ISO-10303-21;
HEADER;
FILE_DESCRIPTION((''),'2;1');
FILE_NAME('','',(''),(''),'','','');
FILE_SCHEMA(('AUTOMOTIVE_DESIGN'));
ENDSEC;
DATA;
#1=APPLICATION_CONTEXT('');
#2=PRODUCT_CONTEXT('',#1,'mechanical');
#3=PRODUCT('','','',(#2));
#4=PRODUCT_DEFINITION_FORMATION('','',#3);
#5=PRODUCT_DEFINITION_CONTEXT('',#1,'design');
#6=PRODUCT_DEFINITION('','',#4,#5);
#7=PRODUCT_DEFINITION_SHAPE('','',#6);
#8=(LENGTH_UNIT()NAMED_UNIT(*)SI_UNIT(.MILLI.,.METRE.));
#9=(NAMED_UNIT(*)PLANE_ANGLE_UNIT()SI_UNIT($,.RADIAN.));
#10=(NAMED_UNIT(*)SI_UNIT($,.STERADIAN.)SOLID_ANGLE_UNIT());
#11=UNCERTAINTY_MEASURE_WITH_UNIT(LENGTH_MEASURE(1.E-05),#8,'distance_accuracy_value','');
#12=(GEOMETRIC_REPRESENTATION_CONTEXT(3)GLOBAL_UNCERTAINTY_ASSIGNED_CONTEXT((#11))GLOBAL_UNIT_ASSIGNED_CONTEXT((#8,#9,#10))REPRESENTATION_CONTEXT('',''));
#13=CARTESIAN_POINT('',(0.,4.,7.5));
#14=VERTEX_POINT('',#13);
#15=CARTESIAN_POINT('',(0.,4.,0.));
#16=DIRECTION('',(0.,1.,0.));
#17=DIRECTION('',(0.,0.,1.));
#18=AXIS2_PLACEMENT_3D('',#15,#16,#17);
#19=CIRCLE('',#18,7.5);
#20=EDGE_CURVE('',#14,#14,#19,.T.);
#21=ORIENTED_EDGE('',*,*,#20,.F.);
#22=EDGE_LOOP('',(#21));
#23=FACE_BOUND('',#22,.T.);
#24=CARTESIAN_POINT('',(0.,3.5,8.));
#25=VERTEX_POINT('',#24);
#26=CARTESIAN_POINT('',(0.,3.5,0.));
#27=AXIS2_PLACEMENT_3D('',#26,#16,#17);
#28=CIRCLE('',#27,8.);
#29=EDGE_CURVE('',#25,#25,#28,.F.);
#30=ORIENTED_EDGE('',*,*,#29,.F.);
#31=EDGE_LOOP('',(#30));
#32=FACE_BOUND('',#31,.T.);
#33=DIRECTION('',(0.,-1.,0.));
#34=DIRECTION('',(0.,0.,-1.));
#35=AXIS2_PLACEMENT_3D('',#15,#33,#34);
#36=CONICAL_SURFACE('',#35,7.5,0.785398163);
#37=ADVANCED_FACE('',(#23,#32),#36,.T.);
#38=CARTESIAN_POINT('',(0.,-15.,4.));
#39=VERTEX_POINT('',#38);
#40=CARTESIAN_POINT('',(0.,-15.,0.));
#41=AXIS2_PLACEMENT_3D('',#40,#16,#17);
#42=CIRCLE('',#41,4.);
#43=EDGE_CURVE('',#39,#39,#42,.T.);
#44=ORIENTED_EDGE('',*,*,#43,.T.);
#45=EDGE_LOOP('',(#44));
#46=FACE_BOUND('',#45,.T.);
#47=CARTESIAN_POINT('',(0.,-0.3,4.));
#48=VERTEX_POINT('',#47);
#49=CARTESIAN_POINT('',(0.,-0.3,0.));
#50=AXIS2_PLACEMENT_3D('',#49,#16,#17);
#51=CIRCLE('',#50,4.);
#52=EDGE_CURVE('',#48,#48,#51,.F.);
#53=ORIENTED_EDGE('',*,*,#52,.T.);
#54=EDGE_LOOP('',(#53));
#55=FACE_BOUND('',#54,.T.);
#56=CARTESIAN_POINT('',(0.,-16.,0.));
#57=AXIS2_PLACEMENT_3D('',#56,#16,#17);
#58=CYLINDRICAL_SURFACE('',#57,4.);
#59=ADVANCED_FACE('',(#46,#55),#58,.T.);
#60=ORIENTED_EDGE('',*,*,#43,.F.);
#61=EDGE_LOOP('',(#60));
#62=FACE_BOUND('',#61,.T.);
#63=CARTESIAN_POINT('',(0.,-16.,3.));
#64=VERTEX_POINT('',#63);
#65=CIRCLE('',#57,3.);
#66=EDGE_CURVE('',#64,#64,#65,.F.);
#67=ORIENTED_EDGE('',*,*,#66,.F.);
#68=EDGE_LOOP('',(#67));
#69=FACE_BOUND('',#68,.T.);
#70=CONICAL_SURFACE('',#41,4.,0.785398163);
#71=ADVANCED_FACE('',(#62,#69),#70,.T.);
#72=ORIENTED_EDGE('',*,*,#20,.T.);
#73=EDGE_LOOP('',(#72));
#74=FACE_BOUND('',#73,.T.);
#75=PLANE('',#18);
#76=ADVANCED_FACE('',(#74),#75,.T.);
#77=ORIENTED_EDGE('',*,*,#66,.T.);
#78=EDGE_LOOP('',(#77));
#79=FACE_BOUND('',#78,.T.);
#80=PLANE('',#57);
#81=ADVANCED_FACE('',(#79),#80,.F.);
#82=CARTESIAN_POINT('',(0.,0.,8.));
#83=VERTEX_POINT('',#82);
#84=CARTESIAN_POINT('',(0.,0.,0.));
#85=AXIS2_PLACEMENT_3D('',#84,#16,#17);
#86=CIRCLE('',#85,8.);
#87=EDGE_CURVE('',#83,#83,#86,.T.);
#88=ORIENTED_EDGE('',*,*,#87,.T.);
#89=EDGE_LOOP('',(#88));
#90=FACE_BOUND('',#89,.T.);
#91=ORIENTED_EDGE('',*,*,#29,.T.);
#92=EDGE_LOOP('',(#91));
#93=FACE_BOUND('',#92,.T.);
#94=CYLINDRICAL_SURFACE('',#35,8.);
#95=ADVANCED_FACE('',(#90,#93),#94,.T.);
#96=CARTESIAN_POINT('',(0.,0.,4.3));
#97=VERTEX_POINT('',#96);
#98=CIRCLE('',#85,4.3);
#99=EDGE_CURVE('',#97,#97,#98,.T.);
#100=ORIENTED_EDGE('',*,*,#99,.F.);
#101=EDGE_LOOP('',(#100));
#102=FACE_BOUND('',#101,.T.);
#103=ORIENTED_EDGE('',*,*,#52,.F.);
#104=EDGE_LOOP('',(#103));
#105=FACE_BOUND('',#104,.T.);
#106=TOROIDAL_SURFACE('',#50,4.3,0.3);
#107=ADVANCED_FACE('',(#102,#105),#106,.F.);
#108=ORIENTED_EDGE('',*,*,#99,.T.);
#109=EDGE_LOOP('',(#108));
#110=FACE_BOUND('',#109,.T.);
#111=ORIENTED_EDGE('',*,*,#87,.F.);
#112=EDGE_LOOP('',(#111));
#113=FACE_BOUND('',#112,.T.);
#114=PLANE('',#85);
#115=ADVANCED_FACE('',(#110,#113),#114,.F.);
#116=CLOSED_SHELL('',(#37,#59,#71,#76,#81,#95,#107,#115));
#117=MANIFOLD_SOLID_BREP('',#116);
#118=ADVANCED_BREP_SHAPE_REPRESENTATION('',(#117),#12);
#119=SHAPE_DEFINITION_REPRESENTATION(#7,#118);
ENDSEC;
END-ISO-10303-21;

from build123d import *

# Parameters (mm, degrees)
SKETCH1_R           = 4
BOSS_EXTRUDE1_DEPTH = 16
SKETCH2_R           = 8
BOSS_EXTRUDE2_DEPTH = 4
CHAMFER1_SIZE       = 1
CHAMFER2_SIZE       = 0.5
FILLET1_R           = 0.3


with BuildPart() as part:
    # Sketch1 → Boss-Extrude1 (new body)
    with BuildSketch(Plane(origin=(0, 0, 0), x_dir=(1, 0, 0), z_dir=(0, 1, 0))):
        Circle(SKETCH1_R)
    extrude(amount=-BOSS_EXTRUDE1_DEPTH)

    # Sketch2 → Boss-Extrude2 (add)
    with BuildSketch(Plane(origin=(0, 0, 0), x_dir=(1, 0, 0), z_dir=(0, 1, 0))):
        Circle(SKETCH2_R)
    extrude(amount=BOSS_EXTRUDE2_DEPTH)

    # Chamfer1
    chamfer1_edges = [part.edges().sort_by_distance(p)[0] for p in [
        (-4, -16, 0),
    ]]
    chamfer(chamfer1_edges, length=CHAMFER1_SIZE)

    # Chamfer2
    chamfer2_edges = [part.edges().sort_by_distance(p)[0] for p in [
        (-8, 4, 0),
    ]]
    chamfer(chamfer2_edges, length=CHAMFER2_SIZE)

    # Fillet1
    fillet1_edges = [part.edges().sort_by_distance(p)[0] for p in [
        (-4, 0, 0),
    ]]
    fillet(fillet1_edges, radius=FILLET1_R)


solid = part.part
